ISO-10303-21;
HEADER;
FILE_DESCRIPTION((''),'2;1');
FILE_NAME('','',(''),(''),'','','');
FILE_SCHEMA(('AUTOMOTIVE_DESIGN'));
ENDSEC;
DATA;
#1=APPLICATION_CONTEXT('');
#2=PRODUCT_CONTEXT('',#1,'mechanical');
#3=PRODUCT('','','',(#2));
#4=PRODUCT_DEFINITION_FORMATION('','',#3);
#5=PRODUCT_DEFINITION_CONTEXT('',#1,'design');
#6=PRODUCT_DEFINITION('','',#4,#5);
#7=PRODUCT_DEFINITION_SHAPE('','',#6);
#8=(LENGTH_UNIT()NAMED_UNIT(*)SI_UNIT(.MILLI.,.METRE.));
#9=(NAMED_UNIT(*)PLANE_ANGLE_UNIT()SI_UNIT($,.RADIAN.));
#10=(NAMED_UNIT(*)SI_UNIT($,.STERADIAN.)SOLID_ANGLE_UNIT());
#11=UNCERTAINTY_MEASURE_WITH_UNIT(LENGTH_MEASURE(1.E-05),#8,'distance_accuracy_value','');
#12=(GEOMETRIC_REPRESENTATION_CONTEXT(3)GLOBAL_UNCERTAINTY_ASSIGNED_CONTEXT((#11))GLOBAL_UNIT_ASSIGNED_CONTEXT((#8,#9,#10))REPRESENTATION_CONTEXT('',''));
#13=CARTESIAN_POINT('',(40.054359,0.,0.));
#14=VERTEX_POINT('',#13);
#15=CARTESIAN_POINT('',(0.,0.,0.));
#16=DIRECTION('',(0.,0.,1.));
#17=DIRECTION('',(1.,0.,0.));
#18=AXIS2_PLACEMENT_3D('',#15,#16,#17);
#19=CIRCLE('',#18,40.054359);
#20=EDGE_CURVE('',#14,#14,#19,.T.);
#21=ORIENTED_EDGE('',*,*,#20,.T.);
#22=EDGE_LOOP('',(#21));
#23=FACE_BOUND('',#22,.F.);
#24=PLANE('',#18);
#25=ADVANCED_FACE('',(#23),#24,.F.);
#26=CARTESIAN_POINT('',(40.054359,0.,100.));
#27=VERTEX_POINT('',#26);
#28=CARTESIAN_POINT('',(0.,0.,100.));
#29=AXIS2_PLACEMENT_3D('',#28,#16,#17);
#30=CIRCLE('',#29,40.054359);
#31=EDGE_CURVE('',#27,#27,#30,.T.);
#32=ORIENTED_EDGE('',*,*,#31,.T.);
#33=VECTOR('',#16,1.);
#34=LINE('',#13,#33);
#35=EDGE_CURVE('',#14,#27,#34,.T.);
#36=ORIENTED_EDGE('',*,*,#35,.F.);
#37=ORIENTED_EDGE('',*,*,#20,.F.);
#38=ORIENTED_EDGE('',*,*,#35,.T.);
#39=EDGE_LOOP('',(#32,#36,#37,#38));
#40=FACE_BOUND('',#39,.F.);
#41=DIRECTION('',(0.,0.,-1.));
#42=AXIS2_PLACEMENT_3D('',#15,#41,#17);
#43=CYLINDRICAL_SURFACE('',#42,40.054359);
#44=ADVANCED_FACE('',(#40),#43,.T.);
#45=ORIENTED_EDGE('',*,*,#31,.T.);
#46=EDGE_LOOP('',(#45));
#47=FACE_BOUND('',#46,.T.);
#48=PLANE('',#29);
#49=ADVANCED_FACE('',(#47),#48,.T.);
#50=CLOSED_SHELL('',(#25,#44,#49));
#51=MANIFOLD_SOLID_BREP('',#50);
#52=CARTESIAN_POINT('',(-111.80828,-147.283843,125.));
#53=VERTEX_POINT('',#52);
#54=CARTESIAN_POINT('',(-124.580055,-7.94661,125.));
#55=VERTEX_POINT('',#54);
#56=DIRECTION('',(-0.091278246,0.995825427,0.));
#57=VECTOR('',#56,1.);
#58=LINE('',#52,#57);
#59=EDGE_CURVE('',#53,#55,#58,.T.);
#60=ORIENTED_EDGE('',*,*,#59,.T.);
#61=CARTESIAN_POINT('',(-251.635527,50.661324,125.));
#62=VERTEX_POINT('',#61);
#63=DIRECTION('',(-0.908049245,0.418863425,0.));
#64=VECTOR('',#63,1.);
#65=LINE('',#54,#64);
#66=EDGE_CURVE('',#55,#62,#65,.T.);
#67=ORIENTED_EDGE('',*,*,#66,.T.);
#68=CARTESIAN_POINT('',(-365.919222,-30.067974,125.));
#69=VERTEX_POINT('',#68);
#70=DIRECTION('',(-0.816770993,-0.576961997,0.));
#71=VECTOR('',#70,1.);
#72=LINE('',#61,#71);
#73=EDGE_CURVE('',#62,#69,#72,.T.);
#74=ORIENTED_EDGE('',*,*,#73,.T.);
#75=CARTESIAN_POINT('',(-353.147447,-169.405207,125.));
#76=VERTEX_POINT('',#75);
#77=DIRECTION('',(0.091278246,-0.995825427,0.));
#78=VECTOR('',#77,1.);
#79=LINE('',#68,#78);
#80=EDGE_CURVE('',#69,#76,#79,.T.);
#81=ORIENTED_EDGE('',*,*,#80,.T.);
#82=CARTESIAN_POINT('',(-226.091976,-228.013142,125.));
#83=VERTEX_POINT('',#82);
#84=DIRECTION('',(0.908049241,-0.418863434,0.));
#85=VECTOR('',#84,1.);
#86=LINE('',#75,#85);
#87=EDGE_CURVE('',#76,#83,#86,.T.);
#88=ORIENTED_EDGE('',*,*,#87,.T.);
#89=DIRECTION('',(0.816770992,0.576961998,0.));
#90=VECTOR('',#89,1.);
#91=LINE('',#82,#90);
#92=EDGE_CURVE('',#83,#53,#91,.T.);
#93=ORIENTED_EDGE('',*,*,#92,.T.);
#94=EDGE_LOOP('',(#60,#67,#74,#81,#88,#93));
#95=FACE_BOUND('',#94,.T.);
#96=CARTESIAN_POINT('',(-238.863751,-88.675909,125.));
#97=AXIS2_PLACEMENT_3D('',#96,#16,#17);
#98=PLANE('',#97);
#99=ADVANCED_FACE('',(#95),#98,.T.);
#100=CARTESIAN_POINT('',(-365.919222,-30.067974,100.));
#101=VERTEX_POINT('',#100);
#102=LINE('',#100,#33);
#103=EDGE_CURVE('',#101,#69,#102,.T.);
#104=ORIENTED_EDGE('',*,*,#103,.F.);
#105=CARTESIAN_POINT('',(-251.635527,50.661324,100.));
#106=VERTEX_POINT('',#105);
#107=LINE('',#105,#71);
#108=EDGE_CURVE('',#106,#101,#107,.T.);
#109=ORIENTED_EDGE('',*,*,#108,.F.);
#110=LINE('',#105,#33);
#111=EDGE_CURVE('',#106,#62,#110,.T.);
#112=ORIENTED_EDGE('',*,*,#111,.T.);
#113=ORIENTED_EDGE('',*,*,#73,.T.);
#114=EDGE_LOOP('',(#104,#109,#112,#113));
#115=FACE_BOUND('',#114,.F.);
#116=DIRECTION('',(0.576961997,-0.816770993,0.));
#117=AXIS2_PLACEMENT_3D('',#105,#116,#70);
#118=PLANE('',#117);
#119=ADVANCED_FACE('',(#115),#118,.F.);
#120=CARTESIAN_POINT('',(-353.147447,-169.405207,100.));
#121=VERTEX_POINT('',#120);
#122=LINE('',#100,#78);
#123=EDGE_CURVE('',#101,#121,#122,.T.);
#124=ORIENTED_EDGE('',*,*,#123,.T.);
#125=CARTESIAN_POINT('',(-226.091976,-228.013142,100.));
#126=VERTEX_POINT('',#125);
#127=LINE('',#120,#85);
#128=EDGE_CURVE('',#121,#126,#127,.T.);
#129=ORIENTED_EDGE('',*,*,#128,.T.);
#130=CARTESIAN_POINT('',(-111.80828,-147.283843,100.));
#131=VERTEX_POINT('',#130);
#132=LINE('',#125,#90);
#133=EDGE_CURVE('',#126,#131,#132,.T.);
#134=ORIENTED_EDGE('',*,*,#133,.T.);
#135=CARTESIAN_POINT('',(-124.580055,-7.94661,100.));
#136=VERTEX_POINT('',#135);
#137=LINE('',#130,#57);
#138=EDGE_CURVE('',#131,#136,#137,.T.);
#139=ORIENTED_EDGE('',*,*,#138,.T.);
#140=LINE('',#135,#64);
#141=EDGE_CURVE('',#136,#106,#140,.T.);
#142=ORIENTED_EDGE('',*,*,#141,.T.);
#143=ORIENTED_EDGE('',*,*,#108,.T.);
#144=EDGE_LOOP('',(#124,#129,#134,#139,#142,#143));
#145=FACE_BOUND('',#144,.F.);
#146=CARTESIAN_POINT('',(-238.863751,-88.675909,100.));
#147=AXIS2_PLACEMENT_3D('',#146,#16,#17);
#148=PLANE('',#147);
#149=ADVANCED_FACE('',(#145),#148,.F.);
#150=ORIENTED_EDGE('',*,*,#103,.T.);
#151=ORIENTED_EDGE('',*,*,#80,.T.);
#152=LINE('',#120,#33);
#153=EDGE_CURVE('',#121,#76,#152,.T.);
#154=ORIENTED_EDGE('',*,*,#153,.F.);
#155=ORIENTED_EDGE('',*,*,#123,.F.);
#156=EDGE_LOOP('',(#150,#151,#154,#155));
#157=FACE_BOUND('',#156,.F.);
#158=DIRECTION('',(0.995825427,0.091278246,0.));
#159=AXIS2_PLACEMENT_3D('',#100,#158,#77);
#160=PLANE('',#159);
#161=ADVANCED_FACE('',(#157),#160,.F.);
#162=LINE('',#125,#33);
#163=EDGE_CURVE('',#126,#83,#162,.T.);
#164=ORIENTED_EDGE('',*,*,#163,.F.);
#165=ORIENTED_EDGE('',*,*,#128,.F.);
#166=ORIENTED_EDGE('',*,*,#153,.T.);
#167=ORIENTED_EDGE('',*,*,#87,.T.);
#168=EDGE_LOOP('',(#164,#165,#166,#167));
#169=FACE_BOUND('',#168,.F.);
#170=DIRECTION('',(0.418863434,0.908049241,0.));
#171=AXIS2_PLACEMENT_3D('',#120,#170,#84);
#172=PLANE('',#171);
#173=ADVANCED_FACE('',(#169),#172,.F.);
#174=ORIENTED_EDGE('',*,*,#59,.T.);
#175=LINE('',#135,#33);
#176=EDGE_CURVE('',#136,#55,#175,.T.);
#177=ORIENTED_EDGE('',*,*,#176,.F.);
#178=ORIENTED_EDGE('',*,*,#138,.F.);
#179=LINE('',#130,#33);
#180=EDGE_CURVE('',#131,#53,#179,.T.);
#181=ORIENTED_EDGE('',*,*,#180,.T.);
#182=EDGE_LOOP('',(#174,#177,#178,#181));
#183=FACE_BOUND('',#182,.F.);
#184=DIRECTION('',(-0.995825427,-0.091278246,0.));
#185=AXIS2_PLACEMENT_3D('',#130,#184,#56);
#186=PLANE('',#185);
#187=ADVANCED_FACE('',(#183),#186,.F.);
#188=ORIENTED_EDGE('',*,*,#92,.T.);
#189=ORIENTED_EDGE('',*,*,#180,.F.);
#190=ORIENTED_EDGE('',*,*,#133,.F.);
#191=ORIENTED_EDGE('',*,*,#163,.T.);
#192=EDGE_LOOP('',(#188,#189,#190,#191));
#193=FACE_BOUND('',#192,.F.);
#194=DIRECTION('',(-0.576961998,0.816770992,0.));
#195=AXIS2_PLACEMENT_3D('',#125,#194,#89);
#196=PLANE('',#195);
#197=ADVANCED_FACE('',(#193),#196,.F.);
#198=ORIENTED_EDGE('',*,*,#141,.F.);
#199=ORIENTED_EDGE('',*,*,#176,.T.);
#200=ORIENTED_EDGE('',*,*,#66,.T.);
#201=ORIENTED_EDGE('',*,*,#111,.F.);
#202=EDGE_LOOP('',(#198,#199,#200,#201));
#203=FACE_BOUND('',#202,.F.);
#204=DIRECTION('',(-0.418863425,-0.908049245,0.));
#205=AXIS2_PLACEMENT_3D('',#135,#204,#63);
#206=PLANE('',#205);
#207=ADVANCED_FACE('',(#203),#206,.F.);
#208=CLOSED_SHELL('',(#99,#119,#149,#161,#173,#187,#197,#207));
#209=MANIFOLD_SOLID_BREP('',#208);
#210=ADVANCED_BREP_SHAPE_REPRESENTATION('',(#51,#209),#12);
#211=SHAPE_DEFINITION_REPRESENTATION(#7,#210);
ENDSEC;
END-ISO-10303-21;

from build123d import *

# Parameters (mm, degrees)
F0_R     = 40.054359
F1_DEPTH = 100
F4_DEPTH = 25


with BuildPart() as f1:
    # F0 (on Top) → F1 (new body)
    with BuildSketch(Plane.XY):
        Circle(F0_R)
    extrude(amount=F1_DEPTH)


with BuildPart() as f4:
    # F3 (on face) → F4 (new body)
    with BuildSketch(Plane.XY.offset(100)):
        Polygon((-365.919222, -30.067974), (-353.147447, -169.405207), (-226.091976, -228.013142), (-111.80828, -147.283843), (-124.580055, -7.94661), (-251.635527, 50.661324), align=None)
    extrude(amount=F4_DEPTH)


solid = Compound([f1.part, f4.part])
